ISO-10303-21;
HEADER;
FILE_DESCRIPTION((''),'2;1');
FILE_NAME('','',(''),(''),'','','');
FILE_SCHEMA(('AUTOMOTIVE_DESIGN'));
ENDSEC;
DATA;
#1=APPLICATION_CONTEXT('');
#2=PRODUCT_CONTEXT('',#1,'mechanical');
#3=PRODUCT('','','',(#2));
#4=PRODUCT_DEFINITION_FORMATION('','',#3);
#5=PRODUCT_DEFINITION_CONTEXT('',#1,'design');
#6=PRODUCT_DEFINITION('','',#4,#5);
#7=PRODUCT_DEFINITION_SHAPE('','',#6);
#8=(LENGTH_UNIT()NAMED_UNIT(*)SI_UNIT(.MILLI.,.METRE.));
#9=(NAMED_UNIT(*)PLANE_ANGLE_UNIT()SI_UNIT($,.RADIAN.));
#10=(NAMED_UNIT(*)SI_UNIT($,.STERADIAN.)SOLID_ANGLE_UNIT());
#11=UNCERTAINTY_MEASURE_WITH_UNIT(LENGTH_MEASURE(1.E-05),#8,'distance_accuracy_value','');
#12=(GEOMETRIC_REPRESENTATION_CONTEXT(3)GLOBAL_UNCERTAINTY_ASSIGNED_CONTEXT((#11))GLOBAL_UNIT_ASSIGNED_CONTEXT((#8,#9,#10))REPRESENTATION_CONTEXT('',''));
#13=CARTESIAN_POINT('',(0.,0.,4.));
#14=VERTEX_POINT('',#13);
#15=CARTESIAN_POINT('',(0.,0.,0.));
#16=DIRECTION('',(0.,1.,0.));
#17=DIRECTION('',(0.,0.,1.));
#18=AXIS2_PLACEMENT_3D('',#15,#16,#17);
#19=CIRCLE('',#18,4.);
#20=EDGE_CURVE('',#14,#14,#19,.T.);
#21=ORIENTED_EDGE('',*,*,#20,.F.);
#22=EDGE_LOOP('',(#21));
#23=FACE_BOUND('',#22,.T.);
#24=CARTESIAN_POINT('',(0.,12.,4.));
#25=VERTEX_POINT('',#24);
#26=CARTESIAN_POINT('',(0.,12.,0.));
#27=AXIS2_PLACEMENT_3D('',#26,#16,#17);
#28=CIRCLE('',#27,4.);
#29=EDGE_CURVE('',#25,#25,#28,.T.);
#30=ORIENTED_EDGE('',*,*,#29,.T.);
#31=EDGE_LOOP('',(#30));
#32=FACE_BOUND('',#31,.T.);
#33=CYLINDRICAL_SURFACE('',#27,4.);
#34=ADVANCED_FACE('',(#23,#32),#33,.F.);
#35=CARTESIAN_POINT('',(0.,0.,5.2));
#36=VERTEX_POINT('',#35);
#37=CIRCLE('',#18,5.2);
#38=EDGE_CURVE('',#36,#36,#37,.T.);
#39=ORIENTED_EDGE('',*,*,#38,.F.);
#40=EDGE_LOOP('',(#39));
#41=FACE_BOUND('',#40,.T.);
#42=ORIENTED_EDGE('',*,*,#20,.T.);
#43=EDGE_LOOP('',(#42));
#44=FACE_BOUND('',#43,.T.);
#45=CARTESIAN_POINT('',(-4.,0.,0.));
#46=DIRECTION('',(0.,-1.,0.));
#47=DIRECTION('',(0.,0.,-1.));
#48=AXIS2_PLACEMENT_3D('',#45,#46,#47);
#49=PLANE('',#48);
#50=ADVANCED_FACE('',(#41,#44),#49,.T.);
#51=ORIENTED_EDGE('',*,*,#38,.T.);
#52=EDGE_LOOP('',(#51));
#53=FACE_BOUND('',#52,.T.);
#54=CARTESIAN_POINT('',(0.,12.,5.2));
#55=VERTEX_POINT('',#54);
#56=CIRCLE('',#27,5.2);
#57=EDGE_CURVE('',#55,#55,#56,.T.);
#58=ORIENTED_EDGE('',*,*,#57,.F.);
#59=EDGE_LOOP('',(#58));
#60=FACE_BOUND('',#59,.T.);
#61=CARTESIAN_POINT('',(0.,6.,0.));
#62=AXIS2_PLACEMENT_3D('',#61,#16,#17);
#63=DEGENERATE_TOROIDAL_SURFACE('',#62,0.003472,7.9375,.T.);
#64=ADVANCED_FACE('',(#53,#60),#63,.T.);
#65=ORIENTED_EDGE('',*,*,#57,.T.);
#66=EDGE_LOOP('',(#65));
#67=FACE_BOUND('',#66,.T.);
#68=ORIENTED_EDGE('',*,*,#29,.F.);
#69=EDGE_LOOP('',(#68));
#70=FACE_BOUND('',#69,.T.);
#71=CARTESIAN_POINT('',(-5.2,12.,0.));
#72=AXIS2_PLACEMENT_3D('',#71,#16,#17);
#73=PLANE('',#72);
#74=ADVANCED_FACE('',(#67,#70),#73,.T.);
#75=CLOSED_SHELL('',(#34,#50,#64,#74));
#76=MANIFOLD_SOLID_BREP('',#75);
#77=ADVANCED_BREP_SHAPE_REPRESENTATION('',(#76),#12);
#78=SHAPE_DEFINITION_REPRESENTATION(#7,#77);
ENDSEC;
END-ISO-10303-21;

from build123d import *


with BuildPart() as part:
    # Sketch1 → Revolve1 (revolve)
    with BuildSketch(Plane.XY):
        with BuildLine():
            Line((-5.2, 12), (-4, 12))
            Line((-4, 12), (-4, 0))
            Line((-4, 0), (-5.2, 0))
            ThreePointArc((-5.2, 0), (-7.940971712, 6), (-5.2, 12))
        make_face()
    revolve(axis=Axis((0, 12, 0), (0, -1, 0)))


solid = part.part
